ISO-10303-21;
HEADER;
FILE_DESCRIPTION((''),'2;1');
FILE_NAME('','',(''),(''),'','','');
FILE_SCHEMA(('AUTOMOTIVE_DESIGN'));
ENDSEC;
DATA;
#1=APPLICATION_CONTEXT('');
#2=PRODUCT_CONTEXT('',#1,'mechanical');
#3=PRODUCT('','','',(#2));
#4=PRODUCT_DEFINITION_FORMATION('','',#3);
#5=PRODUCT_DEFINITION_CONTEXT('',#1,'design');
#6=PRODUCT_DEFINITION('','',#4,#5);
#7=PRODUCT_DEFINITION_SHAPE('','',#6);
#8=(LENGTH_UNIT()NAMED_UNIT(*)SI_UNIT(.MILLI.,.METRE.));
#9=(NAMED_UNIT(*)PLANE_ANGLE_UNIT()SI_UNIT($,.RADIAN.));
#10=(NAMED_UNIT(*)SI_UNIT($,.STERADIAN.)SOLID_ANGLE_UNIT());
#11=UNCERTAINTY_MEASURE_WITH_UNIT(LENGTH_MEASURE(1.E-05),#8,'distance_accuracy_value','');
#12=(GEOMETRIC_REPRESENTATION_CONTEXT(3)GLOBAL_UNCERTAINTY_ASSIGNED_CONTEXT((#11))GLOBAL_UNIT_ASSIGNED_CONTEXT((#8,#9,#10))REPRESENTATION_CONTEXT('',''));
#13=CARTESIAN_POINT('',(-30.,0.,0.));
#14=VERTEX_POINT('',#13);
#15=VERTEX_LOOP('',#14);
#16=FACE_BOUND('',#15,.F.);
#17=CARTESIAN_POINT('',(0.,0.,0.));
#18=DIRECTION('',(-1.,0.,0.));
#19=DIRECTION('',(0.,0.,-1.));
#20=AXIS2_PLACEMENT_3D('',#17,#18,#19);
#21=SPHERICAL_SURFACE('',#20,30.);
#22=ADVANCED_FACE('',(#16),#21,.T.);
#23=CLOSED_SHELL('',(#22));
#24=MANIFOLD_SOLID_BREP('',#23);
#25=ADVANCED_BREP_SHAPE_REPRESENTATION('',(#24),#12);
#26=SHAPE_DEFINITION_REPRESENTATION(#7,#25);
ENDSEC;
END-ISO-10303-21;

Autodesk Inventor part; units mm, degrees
ref_plane "YZ Plane" through (0, 0, 0) normal (1, 0, 0) x (0, 1, 0)
ref_plane "XZ Plane" through (0, 0, 0) normal (0, 1, 0) x (-1, 0, 0)
ref_plane "XY Plane" through (0, 0, 0) normal (0, 0, 1) x (1, 0, 0)
sketch "Sketch1" plane through (0, 0, 0) normal (0, 1, 0) x (-1, 0, 0)
  arc A0 (-30, 0) -> (30, 0) centre (0, 0) ccw
  line L0 (30, 0) -> (-30, 0)
  dimension "d0" = 60
revolve "Revolution1" add sketch "Sketch1" angle 360 about axis through (-30, 0, 0) along (1, 0, 0)
properties part number "Ball" material "Wood (Birch)"
